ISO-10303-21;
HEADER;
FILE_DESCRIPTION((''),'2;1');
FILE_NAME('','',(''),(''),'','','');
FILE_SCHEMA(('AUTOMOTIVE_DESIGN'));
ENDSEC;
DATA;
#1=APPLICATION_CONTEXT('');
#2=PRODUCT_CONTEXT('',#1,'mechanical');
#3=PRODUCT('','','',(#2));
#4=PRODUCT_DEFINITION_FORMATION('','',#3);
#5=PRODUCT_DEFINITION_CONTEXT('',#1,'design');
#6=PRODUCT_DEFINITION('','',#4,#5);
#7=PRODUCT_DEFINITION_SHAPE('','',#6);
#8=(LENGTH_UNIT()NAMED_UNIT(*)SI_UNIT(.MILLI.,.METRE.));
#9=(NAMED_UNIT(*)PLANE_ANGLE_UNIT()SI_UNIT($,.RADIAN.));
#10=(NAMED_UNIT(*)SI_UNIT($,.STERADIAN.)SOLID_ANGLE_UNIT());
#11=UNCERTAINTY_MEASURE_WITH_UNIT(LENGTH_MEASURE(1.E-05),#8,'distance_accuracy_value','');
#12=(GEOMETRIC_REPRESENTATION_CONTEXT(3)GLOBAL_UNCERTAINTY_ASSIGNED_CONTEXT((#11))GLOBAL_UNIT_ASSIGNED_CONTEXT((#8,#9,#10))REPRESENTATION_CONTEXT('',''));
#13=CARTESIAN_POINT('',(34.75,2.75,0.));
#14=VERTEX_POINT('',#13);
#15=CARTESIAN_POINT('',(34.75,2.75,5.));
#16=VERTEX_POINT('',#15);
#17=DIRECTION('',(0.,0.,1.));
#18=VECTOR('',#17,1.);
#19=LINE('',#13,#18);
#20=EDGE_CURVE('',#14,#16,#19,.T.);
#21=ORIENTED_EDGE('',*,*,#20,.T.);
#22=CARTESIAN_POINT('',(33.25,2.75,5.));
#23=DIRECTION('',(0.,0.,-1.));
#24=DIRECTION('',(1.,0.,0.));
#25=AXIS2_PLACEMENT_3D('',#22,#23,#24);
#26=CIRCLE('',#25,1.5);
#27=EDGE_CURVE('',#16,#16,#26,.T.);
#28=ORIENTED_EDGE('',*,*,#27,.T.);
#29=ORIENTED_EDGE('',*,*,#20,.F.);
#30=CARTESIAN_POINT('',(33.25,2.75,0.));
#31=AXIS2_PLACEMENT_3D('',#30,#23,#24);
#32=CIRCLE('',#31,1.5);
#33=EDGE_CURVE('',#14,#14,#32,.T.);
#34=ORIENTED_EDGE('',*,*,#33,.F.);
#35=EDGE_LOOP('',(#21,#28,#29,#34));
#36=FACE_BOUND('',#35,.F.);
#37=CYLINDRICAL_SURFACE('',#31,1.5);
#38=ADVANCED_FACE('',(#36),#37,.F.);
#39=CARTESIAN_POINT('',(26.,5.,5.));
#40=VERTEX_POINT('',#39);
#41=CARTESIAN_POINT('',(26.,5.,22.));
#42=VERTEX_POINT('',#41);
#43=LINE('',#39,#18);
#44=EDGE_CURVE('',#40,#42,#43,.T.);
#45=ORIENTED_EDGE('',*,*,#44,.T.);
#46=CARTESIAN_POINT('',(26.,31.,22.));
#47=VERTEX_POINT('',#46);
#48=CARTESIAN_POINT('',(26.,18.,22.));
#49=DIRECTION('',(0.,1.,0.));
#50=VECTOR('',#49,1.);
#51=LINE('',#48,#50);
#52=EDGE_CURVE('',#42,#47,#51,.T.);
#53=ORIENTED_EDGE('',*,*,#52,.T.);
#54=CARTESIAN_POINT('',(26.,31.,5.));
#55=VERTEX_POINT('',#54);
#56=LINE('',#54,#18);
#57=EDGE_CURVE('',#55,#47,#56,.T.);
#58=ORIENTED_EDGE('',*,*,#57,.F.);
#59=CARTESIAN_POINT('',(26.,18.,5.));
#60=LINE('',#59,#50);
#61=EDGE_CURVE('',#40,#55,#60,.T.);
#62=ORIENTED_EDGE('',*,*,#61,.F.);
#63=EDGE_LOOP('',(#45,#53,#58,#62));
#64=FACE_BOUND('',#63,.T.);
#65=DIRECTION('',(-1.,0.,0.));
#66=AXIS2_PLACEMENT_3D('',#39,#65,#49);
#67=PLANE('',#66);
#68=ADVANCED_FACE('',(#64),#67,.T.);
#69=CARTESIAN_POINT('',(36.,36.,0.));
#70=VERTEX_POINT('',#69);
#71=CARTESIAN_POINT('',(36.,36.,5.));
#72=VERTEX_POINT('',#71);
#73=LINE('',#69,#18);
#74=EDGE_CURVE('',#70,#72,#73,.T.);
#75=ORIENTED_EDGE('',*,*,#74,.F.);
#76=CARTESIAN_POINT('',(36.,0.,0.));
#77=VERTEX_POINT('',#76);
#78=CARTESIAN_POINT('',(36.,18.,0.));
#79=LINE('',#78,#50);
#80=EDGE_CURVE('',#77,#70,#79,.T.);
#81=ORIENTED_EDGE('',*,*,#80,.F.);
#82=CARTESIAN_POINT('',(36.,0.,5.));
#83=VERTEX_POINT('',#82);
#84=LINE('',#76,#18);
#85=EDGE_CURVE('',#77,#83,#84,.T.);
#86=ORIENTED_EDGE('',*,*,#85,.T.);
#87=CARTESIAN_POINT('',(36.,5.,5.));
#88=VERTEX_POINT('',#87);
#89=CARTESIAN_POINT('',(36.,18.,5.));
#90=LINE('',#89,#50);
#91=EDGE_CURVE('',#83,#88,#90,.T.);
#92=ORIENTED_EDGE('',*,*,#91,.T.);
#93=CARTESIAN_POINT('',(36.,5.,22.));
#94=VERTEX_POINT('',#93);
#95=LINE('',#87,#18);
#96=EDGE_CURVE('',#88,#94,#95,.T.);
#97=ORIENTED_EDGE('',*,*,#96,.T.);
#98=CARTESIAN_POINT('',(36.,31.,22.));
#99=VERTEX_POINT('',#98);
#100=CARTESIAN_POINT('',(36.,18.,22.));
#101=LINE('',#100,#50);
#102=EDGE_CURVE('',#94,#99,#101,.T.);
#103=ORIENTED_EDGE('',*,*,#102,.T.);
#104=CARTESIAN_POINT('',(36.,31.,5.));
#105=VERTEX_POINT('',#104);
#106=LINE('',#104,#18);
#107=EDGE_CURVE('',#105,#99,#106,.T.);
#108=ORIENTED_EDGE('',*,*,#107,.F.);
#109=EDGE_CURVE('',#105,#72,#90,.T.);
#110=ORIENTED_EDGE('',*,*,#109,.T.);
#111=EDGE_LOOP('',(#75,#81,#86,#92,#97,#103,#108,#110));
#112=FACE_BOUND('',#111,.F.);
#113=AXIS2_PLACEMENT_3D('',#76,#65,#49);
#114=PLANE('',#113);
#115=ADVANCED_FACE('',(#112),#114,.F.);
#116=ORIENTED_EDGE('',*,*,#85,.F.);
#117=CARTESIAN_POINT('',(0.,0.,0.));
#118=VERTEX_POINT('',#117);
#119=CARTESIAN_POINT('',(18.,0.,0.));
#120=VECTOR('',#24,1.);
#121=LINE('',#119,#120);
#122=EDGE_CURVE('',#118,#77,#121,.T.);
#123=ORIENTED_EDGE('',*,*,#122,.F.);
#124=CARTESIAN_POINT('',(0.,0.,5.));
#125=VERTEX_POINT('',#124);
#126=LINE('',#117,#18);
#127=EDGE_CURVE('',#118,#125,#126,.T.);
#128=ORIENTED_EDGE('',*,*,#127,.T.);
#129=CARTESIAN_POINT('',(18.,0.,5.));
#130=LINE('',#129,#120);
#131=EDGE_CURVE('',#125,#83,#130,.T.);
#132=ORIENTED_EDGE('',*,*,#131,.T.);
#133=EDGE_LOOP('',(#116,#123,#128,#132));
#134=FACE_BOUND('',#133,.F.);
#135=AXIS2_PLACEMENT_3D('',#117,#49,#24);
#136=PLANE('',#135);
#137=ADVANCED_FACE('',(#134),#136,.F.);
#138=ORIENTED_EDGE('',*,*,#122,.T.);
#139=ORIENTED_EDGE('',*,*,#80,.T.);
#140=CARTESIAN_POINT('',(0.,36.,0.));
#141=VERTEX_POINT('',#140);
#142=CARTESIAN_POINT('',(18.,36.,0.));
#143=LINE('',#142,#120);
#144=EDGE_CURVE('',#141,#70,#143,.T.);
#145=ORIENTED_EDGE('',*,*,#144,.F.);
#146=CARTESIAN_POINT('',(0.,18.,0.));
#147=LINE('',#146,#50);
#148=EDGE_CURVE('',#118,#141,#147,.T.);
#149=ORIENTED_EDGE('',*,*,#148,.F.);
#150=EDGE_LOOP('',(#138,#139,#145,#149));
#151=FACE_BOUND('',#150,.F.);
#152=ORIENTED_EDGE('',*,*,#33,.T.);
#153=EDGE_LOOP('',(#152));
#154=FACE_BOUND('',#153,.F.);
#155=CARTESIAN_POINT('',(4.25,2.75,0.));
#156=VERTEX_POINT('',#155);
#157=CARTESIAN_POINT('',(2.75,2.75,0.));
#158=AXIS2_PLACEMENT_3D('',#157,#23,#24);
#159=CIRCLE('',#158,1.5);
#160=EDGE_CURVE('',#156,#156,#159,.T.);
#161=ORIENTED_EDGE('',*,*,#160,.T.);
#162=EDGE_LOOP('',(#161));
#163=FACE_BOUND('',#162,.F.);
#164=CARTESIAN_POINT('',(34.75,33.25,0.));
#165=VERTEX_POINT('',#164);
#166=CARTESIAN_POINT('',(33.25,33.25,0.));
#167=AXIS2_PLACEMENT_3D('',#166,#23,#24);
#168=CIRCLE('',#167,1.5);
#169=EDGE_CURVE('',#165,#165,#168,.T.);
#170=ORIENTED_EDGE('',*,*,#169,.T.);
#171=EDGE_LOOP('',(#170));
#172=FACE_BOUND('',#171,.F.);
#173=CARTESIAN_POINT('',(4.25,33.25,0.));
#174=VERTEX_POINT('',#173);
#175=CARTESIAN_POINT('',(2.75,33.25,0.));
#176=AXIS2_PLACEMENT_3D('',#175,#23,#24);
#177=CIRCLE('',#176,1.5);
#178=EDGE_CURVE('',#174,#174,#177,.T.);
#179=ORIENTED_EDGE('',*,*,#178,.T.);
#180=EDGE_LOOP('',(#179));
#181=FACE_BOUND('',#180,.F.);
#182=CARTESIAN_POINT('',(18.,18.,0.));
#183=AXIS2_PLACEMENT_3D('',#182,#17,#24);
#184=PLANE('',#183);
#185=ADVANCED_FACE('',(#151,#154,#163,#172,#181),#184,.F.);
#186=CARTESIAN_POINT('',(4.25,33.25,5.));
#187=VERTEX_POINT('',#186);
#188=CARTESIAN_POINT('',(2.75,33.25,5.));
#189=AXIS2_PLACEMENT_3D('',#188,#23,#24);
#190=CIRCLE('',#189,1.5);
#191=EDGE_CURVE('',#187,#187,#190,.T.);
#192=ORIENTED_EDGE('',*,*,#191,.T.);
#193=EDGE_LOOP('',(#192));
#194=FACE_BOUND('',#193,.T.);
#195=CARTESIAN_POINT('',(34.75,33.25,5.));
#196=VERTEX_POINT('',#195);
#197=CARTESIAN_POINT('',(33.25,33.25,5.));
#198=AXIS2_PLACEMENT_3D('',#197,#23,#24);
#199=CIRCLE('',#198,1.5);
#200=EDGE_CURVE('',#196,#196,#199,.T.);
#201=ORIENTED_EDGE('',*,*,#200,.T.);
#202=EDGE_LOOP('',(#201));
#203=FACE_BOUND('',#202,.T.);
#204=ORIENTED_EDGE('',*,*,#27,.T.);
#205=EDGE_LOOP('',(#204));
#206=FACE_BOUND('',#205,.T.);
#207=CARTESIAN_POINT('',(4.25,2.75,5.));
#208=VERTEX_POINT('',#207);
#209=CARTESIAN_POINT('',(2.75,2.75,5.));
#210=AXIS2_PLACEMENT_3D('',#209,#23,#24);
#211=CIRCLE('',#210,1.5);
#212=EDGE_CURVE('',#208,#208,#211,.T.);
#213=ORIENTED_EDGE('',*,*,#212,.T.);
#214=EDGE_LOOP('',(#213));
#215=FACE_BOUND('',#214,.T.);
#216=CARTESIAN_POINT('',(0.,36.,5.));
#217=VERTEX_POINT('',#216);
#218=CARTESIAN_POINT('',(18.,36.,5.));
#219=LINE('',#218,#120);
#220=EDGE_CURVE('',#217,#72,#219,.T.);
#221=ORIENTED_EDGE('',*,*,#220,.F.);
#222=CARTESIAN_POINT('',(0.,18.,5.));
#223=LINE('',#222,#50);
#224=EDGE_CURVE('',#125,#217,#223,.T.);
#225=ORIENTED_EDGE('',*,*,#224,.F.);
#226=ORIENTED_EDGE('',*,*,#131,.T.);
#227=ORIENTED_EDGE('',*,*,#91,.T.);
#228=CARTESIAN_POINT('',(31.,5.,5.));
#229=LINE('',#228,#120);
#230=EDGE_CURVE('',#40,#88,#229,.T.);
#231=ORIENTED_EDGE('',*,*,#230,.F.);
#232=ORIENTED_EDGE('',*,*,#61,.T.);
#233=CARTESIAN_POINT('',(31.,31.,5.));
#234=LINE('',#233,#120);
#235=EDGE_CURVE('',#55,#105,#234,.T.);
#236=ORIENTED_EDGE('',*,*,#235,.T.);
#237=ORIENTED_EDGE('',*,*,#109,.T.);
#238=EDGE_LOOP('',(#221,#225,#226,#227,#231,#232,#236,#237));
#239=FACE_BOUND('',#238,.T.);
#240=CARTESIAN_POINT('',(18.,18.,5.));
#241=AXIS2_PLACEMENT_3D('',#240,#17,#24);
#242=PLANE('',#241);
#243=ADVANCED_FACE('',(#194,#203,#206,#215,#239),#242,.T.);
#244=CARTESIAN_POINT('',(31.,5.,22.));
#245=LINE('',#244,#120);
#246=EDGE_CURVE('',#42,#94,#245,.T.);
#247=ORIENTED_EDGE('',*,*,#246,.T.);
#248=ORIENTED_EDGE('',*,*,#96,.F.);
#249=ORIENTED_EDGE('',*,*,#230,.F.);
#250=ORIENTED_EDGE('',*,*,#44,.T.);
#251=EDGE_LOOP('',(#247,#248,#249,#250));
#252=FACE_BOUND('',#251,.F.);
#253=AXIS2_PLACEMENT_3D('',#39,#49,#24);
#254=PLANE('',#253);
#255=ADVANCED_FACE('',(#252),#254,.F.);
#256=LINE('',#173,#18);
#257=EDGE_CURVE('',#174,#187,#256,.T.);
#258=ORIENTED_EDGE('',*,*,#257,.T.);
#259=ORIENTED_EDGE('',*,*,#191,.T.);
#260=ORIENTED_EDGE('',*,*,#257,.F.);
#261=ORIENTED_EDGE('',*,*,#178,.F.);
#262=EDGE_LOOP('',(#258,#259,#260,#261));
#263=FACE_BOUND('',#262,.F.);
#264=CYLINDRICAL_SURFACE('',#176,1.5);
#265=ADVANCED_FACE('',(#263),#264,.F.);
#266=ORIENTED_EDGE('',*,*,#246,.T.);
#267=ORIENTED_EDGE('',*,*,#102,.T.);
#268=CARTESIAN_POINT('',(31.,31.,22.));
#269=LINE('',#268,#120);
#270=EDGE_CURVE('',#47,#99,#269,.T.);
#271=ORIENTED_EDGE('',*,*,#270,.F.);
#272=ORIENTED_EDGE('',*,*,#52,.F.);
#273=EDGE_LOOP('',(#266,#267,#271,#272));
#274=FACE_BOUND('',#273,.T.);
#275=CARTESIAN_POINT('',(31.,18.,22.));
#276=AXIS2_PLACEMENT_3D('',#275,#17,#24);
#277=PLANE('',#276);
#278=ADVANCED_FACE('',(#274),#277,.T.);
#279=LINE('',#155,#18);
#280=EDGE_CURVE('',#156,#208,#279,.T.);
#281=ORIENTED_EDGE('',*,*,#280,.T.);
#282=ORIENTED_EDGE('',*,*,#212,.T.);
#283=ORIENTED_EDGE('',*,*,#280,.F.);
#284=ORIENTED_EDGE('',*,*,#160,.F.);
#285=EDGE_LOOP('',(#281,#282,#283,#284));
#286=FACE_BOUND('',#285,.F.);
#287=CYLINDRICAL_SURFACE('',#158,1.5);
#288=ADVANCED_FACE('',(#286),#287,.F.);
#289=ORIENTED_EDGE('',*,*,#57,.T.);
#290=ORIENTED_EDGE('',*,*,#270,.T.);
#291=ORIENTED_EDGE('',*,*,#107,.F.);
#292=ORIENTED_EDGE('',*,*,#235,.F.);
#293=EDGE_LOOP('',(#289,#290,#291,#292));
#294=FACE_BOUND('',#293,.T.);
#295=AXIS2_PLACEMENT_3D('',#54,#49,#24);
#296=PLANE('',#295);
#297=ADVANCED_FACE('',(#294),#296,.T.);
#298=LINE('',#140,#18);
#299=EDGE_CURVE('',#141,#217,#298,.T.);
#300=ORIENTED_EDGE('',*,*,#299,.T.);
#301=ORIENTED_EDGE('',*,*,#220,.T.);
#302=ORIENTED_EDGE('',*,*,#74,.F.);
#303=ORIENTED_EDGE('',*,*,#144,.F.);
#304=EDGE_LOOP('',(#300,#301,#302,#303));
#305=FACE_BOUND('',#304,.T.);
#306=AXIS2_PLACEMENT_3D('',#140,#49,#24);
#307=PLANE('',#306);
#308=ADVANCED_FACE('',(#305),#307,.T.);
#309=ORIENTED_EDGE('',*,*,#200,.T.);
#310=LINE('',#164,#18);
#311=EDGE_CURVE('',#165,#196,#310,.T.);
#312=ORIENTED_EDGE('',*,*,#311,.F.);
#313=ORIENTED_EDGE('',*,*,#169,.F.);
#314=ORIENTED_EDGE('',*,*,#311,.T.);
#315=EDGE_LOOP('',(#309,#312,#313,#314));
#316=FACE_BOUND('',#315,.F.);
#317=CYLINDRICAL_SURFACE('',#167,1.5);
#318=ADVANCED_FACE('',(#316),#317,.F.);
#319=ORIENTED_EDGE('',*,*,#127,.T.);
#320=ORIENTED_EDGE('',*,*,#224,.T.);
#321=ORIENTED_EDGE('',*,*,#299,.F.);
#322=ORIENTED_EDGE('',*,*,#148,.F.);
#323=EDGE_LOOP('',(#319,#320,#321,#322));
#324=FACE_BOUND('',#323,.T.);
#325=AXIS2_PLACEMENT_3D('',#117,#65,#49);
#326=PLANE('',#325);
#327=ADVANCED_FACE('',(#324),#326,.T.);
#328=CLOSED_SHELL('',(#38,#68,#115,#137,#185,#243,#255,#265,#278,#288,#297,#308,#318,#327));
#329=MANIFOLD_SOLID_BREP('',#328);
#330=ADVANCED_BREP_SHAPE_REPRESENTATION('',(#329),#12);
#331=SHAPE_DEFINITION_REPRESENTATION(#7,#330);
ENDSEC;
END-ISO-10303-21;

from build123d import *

# Parameters (mm, degrees)
SKETCH_W     = 36
SKETCH_H     = 36
PAD_DEPTH    = 5
SKETCH001_W  = 10
SKETCH001_H  = 26
PAD001_DEPTH = 17
SKETCH002_R  = 1.5
POCKET_DEPTH = 5


with BuildPart() as part:
    # Sketch → Pad (new body)
    with BuildSketch(Plane.XY):
        with Locations((18, 18)):
            Rectangle(SKETCH_W, SKETCH_H)
    extrude(amount=PAD_DEPTH)

    # Sketch001 → Pad001 (new body)
    with BuildSketch(Plane.XY.offset(5)):
        with Locations((31, 18)):
            Rectangle(SKETCH001_W, SKETCH001_H)
    extrude(amount=PAD001_DEPTH)

    # Sketch002 → Pocket (cut)
    with BuildSketch(Plane(origin=(0, 0, 0), x_dir=(1, 0, 0), z_dir=(0, 0, -1))):
        with Locations((2.75, -2.75)):
            Circle(SKETCH002_R)
        with Locations((33.25, -2.75)):
            Circle(SKETCH002_R)
        with Locations((33.25, -33.25)):
            Circle(SKETCH002_R)
        with Locations((2.75, -33.25)):
            Circle(SKETCH002_R)
    extrude(amount=-POCKET_DEPTH, mode=Mode.SUBTRACT)


solid = part.part
